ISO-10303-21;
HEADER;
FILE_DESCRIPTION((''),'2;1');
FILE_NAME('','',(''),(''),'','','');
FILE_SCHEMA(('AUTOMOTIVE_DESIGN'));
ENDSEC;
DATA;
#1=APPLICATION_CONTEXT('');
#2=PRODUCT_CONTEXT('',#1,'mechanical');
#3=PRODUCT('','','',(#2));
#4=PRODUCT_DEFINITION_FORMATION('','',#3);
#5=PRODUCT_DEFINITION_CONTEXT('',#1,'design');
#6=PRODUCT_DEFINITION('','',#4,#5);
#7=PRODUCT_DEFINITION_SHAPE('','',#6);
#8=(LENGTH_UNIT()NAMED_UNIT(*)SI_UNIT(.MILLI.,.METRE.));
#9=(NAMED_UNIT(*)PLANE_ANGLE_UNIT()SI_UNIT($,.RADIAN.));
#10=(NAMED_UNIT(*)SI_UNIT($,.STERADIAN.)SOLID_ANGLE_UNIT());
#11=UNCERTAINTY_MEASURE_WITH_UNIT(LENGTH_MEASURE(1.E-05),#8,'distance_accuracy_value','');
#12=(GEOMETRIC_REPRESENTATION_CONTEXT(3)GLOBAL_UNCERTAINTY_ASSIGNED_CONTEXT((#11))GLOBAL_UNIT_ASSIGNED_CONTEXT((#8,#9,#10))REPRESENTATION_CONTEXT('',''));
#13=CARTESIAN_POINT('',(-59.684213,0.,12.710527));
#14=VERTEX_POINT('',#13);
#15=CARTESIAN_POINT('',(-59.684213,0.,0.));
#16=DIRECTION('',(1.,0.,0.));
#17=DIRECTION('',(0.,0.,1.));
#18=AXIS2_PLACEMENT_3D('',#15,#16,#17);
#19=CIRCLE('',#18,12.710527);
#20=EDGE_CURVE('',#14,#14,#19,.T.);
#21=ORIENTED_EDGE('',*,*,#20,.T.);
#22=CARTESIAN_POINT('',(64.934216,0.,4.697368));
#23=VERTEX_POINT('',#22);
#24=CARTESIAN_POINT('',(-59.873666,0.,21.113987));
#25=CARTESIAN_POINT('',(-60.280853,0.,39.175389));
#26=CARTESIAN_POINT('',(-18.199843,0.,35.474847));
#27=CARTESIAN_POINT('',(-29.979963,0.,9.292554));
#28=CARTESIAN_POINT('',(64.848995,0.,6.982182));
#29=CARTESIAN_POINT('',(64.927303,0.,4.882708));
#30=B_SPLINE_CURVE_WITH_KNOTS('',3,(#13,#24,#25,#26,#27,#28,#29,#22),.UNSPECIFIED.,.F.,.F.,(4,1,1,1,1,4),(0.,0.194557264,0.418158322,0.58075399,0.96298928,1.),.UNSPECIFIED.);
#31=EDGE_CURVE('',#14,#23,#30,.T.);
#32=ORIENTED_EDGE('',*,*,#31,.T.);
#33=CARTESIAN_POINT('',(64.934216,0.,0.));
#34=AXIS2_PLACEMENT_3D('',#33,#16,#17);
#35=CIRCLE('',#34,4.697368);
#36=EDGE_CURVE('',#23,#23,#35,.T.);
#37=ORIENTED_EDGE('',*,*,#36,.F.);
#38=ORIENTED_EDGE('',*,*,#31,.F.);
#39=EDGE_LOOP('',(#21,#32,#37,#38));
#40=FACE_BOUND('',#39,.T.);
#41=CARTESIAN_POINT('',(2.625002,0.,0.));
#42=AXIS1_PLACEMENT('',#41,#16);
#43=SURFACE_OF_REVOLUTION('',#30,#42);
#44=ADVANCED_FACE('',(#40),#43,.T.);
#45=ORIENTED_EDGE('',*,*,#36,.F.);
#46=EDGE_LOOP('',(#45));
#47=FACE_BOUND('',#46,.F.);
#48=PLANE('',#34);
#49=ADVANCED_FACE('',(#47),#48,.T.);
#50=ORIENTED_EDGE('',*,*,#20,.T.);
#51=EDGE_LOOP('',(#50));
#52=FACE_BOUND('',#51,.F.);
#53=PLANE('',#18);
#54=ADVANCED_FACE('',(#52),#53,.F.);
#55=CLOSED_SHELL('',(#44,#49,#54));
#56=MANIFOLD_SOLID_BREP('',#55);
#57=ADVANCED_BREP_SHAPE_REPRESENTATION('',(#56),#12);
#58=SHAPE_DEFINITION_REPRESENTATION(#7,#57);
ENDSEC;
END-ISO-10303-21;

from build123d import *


with BuildPart() as f1:
    # F0 (on Front) → F1 (revolve)
    with BuildSketch(Plane.XZ):
        with BuildLine():
            add(Edge.make_bspline(
                [(-59.6842132509, 12.7105265856), (-59.8736659014, 21.113986966), (-60.2808529719, 39.175388608), (-18.199842611, 35.4748473083), (-29.9799626508, 9.2925544805), (64.8489954661, 6.9821823909), (64.9273034686, 4.8827084486), (64.9342164397, 4.6973684803)],
                knots=[0, 0, 0, 0, 0.194557264, 0.4181583216, 0.5807539897, 0.96298928, 1, 1, 1, 1], degree=3))
            Line((-59.6842132509, 12.7105265856), (-59.6842132509, 0))
            Line((-59.6842132509, 0), (64.9342164397, 0))
            Line((64.9342164397, 0), (64.9342164397, 4.6973684803))
        make_face()
    revolve(axis=Axis((2.6250015944, 0, 0), (1, 0, 0)))


solid = f1.part
